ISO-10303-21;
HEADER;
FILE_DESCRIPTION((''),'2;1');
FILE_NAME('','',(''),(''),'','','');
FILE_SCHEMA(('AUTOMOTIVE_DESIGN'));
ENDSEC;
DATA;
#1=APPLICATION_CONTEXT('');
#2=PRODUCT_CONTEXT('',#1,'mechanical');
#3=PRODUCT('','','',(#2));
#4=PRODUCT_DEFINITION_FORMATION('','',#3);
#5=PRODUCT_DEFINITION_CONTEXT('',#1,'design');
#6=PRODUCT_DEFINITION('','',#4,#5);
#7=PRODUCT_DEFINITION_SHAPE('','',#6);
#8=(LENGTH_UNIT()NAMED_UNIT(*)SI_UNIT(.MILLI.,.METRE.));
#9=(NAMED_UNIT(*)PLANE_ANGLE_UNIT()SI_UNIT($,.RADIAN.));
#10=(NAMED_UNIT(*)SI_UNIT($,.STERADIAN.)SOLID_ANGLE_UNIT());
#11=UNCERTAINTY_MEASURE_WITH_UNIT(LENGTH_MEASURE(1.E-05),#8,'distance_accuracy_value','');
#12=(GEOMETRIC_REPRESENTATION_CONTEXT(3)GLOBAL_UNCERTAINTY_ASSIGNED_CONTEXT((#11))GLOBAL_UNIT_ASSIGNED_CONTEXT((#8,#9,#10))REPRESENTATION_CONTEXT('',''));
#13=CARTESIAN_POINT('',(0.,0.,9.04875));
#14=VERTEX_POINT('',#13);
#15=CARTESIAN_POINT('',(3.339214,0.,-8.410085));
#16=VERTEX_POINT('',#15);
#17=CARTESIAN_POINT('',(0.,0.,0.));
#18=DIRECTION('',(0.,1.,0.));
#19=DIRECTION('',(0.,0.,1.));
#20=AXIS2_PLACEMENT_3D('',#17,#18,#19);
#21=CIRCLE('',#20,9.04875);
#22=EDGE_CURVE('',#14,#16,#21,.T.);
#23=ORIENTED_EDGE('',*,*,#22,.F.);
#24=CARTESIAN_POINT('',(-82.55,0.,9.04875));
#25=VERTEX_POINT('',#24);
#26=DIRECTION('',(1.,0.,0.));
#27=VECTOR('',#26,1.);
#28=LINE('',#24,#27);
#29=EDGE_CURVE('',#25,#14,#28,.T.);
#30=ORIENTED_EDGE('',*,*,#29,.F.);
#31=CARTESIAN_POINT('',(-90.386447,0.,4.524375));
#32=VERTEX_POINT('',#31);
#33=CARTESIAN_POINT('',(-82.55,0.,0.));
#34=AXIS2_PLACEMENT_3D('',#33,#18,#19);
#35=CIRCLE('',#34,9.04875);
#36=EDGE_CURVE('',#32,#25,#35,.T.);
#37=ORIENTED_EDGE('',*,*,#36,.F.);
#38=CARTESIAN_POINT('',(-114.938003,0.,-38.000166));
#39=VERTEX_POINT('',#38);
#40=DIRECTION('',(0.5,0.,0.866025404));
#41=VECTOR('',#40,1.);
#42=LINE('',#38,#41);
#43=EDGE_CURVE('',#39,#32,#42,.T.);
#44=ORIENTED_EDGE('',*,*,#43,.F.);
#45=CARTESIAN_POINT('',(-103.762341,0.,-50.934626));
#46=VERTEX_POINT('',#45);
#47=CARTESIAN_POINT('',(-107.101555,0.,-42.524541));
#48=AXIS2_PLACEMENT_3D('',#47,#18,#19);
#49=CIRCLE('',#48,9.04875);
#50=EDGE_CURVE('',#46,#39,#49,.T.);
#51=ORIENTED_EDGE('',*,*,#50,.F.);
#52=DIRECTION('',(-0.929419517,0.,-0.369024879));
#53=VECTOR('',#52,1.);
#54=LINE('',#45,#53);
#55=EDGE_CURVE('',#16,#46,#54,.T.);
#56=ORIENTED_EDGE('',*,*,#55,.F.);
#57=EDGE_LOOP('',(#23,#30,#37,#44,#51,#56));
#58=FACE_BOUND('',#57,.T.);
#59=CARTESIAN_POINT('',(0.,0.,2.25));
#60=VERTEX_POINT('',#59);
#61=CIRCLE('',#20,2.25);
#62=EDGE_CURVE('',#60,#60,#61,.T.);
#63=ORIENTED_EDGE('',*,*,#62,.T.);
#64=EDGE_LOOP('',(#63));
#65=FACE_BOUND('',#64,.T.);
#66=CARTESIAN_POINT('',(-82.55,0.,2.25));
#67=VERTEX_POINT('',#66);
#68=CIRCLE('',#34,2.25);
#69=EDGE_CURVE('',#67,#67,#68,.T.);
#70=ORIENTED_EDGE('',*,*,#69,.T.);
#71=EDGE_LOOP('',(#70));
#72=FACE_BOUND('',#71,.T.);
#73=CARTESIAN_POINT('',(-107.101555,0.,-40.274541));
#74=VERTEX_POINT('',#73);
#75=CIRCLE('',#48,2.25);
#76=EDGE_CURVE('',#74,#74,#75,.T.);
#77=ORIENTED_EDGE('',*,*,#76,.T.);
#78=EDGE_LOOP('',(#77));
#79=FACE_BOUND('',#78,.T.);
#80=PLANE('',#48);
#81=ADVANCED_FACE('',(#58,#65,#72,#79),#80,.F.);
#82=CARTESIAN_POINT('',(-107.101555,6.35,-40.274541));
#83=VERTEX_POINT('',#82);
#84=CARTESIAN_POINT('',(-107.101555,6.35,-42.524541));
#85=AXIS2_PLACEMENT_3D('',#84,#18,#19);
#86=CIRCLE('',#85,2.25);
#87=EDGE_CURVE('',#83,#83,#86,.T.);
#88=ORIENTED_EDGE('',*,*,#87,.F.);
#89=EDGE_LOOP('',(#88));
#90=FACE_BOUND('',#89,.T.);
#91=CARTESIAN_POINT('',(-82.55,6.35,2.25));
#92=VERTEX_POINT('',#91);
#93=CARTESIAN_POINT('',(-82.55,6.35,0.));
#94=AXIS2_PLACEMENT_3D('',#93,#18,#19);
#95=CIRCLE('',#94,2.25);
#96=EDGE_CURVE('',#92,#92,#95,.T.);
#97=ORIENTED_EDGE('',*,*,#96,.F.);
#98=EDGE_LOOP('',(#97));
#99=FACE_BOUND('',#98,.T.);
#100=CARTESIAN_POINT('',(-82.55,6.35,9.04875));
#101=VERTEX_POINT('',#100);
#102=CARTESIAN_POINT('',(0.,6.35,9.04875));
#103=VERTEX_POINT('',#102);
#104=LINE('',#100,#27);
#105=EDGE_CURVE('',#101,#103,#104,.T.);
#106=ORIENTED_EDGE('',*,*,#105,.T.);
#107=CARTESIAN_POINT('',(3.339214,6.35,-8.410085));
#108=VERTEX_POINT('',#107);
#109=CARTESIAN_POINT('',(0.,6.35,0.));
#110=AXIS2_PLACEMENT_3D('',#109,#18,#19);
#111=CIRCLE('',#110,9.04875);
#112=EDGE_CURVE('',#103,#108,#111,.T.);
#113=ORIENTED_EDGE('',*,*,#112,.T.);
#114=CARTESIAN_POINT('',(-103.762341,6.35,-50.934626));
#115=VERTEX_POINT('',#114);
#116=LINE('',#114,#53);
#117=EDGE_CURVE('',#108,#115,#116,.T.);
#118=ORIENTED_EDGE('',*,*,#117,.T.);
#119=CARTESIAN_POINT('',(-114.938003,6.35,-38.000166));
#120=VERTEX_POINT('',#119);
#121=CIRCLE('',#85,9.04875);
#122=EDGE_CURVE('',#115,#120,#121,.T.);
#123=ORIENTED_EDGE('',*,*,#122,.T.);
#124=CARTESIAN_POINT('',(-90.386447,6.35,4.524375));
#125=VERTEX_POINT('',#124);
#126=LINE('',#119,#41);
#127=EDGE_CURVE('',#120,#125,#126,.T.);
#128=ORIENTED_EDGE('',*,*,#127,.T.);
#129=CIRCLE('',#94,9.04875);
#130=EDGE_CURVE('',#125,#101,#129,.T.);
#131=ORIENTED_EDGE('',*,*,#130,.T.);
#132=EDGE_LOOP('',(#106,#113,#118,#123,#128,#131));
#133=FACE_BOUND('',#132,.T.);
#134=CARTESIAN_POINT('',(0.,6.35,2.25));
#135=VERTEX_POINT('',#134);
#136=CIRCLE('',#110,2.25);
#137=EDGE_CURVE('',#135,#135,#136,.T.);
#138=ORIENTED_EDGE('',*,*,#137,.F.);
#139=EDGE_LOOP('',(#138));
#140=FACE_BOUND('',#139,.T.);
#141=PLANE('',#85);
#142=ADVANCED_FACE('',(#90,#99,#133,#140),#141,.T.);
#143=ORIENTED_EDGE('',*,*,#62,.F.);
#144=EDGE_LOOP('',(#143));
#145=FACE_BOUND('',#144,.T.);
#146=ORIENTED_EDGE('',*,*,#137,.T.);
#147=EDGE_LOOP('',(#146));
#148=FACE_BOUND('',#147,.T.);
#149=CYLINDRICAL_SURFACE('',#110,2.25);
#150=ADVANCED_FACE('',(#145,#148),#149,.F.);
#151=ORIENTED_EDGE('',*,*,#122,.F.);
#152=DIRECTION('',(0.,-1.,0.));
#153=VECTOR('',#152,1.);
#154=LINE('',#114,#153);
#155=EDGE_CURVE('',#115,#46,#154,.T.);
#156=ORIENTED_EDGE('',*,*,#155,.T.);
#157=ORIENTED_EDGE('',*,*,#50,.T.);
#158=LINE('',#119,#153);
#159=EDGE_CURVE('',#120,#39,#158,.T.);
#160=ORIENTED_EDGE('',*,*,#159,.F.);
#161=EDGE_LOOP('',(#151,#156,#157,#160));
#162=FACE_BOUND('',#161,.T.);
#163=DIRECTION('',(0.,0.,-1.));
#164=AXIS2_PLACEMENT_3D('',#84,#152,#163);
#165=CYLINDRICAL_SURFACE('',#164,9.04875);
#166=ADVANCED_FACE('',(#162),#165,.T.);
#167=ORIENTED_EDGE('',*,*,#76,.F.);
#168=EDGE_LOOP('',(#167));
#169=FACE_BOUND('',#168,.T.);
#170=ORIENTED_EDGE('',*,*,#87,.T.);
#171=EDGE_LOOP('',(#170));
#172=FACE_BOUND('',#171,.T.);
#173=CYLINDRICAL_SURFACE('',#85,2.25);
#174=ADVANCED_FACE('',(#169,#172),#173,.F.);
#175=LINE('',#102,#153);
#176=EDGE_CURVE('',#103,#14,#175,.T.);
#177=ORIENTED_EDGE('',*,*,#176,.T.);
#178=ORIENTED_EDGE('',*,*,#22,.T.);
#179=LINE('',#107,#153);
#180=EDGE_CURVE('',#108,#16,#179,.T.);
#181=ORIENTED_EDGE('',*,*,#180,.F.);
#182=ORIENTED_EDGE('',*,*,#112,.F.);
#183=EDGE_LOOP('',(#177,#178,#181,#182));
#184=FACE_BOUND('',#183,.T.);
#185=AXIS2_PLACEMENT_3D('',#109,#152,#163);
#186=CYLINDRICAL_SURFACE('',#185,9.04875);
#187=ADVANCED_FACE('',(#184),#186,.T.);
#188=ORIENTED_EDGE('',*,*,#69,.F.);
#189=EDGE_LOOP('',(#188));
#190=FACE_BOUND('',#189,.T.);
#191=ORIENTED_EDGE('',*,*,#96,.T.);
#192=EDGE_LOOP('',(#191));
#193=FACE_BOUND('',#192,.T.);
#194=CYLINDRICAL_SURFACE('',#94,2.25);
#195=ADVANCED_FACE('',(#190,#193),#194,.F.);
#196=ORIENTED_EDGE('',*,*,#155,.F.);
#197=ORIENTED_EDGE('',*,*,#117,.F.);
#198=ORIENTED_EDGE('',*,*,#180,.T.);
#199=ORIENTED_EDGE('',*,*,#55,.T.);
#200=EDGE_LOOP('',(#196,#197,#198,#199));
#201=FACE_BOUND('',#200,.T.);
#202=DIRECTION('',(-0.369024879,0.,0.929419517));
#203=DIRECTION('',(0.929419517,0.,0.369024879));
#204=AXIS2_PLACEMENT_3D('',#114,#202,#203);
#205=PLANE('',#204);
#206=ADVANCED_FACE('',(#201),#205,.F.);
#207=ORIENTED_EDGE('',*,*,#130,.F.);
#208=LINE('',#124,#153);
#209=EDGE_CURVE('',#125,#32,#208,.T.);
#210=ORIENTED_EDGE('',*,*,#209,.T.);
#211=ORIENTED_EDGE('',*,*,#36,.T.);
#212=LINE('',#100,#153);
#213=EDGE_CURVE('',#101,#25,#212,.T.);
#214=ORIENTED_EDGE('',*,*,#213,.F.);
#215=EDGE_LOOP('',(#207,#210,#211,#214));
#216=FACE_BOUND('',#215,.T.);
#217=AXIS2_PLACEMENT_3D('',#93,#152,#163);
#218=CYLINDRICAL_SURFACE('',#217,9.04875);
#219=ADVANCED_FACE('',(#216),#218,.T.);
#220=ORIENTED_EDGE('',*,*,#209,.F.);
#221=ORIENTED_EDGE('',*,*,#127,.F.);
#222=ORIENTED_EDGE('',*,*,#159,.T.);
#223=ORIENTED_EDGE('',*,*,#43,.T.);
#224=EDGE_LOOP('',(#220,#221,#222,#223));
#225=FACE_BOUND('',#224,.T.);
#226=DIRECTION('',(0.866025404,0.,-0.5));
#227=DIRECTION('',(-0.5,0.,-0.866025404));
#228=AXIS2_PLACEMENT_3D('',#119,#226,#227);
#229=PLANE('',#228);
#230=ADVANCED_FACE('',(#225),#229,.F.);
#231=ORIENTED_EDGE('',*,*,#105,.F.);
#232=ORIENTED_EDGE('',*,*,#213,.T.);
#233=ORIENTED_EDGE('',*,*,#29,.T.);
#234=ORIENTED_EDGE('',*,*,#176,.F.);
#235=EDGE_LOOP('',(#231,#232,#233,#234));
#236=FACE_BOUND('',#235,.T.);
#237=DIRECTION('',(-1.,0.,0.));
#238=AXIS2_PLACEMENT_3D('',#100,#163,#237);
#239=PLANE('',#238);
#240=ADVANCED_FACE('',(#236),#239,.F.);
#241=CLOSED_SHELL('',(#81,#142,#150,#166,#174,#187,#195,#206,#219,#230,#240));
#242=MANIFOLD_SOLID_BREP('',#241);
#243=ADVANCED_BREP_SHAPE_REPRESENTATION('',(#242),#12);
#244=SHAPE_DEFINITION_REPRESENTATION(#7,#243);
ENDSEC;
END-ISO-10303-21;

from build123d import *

# Parameters (mm, degrees)
BOSS_EXTRUDE1_DEPTH  = 6.35
M4_CLEARANCE_HOLE1_D = 4.5


with BuildPart() as part:
    # Sketch3 → Boss-Extrude1 (new body)
    with BuildSketch(Plane(origin=(0, 0, 0), x_dir=(1, 0, 0), z_dir=(0, 1, 0))):
        with BuildLine():
            Line((-103.762341406, 50.934626006), (3.339213875, 8.410084854))
            ThreePointArc((3.339213875, 8.410084854), (8.88764963, -1.699870765), (0, -9.04875))
            Line((0, -9.04875), (-82.55, -9.04875))
            ThreePointArc((-82.55, -9.04875), (-87.074375, -7.836447372), (-90.386447372, -4.524375))
            Line((-90.386447372, -4.524375), (-114.938002654, 38.000166152))
            ThreePointArc((-114.938002654, 38.000166152), (-113.948550258, 48.440497232), (-103.762341406, 50.934626006))
        make_face()
    extrude(amount=BOSS_EXTRUDE1_DEPTH)

    # M4 Clearance Hole1 (through all)
    with Locations(Plane(origin=(0, 6.35, 0), x_dir=(1, 0, 0), z_dir=(0, 1, 0))):
        with Locations((-107.101555281, 42.524541152), (-82.55, 0), (0, 0)):
            Hole(M4_CLEARANCE_HOLE1_D / 2)


solid = part.part
